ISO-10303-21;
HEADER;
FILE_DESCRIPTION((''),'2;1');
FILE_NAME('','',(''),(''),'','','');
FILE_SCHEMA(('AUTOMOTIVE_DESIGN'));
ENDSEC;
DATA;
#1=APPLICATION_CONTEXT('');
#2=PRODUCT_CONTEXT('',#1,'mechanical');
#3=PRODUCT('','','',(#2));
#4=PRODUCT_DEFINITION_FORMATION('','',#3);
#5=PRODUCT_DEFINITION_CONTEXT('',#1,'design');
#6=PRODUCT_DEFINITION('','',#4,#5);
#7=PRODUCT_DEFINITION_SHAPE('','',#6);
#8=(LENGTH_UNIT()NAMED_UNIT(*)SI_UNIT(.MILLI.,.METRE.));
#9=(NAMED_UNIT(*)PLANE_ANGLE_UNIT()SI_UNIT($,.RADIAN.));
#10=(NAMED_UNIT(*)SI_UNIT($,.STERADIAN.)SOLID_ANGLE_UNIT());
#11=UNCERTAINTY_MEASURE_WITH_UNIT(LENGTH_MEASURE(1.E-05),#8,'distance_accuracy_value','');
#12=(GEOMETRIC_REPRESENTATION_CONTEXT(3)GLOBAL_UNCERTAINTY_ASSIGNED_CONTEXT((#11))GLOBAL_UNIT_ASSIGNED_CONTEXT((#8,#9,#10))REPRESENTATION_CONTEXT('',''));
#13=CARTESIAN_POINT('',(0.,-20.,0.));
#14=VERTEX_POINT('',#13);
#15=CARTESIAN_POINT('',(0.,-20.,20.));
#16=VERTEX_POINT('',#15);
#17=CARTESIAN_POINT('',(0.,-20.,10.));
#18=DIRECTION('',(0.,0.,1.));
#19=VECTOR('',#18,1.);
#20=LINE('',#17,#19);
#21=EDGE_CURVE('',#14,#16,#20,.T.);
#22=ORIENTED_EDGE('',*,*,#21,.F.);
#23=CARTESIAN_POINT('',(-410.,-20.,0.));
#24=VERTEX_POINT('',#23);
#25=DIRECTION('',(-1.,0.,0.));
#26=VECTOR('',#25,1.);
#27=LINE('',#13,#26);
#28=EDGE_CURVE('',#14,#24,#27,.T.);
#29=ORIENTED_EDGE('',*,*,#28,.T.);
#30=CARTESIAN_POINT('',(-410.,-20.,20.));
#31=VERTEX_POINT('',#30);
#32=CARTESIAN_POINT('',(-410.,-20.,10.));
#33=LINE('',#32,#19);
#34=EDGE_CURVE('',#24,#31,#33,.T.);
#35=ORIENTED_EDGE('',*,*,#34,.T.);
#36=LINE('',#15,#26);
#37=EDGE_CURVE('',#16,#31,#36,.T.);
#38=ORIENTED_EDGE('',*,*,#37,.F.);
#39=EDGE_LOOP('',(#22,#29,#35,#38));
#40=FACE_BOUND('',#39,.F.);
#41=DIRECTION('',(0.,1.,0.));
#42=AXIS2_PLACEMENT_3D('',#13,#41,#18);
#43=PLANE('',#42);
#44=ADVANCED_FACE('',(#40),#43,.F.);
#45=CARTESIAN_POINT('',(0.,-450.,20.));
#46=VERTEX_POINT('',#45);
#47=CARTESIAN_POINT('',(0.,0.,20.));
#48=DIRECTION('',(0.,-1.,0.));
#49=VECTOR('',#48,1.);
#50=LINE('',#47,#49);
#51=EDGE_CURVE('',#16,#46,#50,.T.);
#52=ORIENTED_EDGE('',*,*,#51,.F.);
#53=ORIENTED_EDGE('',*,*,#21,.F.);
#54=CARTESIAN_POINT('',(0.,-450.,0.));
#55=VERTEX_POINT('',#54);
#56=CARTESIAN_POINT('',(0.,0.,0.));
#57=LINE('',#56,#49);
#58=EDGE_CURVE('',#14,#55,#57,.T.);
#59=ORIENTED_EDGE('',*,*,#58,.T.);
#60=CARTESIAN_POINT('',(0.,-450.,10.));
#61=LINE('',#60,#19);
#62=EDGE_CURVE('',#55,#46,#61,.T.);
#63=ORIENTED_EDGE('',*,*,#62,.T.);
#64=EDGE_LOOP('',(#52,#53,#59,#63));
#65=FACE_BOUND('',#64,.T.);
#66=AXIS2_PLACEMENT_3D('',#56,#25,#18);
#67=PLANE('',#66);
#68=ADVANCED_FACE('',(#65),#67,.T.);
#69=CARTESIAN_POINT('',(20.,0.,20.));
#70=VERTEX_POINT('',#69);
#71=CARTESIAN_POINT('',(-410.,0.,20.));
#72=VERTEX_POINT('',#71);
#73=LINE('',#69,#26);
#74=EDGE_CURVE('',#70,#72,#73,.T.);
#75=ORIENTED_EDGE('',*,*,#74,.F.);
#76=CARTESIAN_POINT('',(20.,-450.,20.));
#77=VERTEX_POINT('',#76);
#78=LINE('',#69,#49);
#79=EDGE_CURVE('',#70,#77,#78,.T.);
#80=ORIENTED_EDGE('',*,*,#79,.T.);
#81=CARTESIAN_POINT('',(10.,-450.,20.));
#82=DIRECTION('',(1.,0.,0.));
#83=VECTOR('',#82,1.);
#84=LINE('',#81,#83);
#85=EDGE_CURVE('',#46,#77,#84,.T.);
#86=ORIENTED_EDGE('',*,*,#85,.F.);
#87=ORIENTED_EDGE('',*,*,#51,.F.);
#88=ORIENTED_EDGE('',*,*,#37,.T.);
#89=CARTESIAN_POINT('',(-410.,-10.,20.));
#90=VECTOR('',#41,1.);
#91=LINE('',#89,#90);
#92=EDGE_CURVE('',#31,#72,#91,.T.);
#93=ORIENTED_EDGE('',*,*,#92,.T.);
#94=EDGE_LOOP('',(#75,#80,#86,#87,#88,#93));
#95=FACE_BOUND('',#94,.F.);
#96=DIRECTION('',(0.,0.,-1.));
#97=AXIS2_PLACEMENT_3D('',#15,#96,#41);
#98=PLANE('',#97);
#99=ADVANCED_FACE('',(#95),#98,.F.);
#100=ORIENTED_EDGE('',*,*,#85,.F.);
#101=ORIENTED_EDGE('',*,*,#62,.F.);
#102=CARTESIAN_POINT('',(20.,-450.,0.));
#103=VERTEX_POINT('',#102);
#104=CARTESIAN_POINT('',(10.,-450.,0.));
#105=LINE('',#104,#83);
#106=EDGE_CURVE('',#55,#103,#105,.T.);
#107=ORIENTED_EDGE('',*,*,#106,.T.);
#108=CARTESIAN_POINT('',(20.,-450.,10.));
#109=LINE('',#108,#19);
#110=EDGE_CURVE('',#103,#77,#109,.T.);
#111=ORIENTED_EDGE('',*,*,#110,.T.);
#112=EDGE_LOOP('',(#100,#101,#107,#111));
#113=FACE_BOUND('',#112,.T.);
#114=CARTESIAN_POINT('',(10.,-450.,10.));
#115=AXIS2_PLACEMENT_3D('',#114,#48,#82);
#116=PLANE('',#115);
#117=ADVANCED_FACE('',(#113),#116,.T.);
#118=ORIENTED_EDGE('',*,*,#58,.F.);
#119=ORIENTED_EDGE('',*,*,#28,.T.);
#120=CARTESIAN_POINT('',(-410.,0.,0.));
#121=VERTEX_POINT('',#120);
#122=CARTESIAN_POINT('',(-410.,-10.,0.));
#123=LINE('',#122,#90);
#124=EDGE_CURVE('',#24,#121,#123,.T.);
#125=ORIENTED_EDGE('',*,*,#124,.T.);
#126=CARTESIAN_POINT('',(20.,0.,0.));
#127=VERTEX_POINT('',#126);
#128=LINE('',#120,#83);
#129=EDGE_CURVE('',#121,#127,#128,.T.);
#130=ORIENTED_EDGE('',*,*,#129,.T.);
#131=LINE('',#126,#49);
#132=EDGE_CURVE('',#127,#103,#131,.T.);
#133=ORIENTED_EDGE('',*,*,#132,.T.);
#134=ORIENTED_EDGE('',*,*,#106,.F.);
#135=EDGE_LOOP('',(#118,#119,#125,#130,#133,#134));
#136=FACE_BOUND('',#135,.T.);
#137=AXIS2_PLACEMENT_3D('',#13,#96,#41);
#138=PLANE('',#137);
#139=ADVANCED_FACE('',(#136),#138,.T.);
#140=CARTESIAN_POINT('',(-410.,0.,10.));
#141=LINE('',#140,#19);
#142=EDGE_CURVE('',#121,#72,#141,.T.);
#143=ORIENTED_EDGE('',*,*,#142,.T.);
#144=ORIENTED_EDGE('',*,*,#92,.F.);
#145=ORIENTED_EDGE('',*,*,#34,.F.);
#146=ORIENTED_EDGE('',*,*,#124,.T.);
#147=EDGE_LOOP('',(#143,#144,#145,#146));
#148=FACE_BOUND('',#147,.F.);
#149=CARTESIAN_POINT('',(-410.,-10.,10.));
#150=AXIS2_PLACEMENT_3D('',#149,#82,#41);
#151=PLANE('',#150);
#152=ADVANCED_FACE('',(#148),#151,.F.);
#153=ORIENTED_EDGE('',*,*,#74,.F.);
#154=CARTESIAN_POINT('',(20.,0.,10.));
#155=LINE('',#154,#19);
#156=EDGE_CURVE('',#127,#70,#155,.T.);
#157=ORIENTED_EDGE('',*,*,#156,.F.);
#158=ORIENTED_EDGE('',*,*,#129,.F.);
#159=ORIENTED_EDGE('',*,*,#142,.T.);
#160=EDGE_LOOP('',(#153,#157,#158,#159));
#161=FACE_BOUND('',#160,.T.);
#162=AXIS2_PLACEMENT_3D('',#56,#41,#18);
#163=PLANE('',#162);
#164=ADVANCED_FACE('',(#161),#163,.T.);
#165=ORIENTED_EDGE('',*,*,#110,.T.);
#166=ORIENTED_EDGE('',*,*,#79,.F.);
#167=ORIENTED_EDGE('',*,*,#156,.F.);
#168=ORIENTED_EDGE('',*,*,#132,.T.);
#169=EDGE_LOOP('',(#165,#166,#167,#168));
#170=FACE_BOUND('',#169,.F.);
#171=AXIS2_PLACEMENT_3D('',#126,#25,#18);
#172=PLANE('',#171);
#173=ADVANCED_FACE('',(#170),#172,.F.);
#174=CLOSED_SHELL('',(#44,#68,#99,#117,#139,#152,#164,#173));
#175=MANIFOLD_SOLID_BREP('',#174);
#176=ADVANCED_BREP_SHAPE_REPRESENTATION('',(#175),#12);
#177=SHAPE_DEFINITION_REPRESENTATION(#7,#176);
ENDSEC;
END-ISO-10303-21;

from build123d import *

# Parameters (mm, degrees)
F0_W     = 20
F0_H     = 20
F1_DEPTH = 450
F2_W     = 20
F2_H     = 20
F3_DEPTH = 410


with BuildPart() as f1:
    # F0 (on Front) → F1 (new body)
    with BuildSketch(Plane.XZ):
        with Locations((10, 10)):
            Rectangle(F0_W, F0_H)
    extrude(amount=F1_DEPTH)

    # F2 (on Right) → F3 (join)
    with BuildSketch(Plane.YZ):
        with Locations((-10, 10)):
            Rectangle(F2_W, F2_H)
    extrude(amount=-F3_DEPTH)


solid = f1.part
